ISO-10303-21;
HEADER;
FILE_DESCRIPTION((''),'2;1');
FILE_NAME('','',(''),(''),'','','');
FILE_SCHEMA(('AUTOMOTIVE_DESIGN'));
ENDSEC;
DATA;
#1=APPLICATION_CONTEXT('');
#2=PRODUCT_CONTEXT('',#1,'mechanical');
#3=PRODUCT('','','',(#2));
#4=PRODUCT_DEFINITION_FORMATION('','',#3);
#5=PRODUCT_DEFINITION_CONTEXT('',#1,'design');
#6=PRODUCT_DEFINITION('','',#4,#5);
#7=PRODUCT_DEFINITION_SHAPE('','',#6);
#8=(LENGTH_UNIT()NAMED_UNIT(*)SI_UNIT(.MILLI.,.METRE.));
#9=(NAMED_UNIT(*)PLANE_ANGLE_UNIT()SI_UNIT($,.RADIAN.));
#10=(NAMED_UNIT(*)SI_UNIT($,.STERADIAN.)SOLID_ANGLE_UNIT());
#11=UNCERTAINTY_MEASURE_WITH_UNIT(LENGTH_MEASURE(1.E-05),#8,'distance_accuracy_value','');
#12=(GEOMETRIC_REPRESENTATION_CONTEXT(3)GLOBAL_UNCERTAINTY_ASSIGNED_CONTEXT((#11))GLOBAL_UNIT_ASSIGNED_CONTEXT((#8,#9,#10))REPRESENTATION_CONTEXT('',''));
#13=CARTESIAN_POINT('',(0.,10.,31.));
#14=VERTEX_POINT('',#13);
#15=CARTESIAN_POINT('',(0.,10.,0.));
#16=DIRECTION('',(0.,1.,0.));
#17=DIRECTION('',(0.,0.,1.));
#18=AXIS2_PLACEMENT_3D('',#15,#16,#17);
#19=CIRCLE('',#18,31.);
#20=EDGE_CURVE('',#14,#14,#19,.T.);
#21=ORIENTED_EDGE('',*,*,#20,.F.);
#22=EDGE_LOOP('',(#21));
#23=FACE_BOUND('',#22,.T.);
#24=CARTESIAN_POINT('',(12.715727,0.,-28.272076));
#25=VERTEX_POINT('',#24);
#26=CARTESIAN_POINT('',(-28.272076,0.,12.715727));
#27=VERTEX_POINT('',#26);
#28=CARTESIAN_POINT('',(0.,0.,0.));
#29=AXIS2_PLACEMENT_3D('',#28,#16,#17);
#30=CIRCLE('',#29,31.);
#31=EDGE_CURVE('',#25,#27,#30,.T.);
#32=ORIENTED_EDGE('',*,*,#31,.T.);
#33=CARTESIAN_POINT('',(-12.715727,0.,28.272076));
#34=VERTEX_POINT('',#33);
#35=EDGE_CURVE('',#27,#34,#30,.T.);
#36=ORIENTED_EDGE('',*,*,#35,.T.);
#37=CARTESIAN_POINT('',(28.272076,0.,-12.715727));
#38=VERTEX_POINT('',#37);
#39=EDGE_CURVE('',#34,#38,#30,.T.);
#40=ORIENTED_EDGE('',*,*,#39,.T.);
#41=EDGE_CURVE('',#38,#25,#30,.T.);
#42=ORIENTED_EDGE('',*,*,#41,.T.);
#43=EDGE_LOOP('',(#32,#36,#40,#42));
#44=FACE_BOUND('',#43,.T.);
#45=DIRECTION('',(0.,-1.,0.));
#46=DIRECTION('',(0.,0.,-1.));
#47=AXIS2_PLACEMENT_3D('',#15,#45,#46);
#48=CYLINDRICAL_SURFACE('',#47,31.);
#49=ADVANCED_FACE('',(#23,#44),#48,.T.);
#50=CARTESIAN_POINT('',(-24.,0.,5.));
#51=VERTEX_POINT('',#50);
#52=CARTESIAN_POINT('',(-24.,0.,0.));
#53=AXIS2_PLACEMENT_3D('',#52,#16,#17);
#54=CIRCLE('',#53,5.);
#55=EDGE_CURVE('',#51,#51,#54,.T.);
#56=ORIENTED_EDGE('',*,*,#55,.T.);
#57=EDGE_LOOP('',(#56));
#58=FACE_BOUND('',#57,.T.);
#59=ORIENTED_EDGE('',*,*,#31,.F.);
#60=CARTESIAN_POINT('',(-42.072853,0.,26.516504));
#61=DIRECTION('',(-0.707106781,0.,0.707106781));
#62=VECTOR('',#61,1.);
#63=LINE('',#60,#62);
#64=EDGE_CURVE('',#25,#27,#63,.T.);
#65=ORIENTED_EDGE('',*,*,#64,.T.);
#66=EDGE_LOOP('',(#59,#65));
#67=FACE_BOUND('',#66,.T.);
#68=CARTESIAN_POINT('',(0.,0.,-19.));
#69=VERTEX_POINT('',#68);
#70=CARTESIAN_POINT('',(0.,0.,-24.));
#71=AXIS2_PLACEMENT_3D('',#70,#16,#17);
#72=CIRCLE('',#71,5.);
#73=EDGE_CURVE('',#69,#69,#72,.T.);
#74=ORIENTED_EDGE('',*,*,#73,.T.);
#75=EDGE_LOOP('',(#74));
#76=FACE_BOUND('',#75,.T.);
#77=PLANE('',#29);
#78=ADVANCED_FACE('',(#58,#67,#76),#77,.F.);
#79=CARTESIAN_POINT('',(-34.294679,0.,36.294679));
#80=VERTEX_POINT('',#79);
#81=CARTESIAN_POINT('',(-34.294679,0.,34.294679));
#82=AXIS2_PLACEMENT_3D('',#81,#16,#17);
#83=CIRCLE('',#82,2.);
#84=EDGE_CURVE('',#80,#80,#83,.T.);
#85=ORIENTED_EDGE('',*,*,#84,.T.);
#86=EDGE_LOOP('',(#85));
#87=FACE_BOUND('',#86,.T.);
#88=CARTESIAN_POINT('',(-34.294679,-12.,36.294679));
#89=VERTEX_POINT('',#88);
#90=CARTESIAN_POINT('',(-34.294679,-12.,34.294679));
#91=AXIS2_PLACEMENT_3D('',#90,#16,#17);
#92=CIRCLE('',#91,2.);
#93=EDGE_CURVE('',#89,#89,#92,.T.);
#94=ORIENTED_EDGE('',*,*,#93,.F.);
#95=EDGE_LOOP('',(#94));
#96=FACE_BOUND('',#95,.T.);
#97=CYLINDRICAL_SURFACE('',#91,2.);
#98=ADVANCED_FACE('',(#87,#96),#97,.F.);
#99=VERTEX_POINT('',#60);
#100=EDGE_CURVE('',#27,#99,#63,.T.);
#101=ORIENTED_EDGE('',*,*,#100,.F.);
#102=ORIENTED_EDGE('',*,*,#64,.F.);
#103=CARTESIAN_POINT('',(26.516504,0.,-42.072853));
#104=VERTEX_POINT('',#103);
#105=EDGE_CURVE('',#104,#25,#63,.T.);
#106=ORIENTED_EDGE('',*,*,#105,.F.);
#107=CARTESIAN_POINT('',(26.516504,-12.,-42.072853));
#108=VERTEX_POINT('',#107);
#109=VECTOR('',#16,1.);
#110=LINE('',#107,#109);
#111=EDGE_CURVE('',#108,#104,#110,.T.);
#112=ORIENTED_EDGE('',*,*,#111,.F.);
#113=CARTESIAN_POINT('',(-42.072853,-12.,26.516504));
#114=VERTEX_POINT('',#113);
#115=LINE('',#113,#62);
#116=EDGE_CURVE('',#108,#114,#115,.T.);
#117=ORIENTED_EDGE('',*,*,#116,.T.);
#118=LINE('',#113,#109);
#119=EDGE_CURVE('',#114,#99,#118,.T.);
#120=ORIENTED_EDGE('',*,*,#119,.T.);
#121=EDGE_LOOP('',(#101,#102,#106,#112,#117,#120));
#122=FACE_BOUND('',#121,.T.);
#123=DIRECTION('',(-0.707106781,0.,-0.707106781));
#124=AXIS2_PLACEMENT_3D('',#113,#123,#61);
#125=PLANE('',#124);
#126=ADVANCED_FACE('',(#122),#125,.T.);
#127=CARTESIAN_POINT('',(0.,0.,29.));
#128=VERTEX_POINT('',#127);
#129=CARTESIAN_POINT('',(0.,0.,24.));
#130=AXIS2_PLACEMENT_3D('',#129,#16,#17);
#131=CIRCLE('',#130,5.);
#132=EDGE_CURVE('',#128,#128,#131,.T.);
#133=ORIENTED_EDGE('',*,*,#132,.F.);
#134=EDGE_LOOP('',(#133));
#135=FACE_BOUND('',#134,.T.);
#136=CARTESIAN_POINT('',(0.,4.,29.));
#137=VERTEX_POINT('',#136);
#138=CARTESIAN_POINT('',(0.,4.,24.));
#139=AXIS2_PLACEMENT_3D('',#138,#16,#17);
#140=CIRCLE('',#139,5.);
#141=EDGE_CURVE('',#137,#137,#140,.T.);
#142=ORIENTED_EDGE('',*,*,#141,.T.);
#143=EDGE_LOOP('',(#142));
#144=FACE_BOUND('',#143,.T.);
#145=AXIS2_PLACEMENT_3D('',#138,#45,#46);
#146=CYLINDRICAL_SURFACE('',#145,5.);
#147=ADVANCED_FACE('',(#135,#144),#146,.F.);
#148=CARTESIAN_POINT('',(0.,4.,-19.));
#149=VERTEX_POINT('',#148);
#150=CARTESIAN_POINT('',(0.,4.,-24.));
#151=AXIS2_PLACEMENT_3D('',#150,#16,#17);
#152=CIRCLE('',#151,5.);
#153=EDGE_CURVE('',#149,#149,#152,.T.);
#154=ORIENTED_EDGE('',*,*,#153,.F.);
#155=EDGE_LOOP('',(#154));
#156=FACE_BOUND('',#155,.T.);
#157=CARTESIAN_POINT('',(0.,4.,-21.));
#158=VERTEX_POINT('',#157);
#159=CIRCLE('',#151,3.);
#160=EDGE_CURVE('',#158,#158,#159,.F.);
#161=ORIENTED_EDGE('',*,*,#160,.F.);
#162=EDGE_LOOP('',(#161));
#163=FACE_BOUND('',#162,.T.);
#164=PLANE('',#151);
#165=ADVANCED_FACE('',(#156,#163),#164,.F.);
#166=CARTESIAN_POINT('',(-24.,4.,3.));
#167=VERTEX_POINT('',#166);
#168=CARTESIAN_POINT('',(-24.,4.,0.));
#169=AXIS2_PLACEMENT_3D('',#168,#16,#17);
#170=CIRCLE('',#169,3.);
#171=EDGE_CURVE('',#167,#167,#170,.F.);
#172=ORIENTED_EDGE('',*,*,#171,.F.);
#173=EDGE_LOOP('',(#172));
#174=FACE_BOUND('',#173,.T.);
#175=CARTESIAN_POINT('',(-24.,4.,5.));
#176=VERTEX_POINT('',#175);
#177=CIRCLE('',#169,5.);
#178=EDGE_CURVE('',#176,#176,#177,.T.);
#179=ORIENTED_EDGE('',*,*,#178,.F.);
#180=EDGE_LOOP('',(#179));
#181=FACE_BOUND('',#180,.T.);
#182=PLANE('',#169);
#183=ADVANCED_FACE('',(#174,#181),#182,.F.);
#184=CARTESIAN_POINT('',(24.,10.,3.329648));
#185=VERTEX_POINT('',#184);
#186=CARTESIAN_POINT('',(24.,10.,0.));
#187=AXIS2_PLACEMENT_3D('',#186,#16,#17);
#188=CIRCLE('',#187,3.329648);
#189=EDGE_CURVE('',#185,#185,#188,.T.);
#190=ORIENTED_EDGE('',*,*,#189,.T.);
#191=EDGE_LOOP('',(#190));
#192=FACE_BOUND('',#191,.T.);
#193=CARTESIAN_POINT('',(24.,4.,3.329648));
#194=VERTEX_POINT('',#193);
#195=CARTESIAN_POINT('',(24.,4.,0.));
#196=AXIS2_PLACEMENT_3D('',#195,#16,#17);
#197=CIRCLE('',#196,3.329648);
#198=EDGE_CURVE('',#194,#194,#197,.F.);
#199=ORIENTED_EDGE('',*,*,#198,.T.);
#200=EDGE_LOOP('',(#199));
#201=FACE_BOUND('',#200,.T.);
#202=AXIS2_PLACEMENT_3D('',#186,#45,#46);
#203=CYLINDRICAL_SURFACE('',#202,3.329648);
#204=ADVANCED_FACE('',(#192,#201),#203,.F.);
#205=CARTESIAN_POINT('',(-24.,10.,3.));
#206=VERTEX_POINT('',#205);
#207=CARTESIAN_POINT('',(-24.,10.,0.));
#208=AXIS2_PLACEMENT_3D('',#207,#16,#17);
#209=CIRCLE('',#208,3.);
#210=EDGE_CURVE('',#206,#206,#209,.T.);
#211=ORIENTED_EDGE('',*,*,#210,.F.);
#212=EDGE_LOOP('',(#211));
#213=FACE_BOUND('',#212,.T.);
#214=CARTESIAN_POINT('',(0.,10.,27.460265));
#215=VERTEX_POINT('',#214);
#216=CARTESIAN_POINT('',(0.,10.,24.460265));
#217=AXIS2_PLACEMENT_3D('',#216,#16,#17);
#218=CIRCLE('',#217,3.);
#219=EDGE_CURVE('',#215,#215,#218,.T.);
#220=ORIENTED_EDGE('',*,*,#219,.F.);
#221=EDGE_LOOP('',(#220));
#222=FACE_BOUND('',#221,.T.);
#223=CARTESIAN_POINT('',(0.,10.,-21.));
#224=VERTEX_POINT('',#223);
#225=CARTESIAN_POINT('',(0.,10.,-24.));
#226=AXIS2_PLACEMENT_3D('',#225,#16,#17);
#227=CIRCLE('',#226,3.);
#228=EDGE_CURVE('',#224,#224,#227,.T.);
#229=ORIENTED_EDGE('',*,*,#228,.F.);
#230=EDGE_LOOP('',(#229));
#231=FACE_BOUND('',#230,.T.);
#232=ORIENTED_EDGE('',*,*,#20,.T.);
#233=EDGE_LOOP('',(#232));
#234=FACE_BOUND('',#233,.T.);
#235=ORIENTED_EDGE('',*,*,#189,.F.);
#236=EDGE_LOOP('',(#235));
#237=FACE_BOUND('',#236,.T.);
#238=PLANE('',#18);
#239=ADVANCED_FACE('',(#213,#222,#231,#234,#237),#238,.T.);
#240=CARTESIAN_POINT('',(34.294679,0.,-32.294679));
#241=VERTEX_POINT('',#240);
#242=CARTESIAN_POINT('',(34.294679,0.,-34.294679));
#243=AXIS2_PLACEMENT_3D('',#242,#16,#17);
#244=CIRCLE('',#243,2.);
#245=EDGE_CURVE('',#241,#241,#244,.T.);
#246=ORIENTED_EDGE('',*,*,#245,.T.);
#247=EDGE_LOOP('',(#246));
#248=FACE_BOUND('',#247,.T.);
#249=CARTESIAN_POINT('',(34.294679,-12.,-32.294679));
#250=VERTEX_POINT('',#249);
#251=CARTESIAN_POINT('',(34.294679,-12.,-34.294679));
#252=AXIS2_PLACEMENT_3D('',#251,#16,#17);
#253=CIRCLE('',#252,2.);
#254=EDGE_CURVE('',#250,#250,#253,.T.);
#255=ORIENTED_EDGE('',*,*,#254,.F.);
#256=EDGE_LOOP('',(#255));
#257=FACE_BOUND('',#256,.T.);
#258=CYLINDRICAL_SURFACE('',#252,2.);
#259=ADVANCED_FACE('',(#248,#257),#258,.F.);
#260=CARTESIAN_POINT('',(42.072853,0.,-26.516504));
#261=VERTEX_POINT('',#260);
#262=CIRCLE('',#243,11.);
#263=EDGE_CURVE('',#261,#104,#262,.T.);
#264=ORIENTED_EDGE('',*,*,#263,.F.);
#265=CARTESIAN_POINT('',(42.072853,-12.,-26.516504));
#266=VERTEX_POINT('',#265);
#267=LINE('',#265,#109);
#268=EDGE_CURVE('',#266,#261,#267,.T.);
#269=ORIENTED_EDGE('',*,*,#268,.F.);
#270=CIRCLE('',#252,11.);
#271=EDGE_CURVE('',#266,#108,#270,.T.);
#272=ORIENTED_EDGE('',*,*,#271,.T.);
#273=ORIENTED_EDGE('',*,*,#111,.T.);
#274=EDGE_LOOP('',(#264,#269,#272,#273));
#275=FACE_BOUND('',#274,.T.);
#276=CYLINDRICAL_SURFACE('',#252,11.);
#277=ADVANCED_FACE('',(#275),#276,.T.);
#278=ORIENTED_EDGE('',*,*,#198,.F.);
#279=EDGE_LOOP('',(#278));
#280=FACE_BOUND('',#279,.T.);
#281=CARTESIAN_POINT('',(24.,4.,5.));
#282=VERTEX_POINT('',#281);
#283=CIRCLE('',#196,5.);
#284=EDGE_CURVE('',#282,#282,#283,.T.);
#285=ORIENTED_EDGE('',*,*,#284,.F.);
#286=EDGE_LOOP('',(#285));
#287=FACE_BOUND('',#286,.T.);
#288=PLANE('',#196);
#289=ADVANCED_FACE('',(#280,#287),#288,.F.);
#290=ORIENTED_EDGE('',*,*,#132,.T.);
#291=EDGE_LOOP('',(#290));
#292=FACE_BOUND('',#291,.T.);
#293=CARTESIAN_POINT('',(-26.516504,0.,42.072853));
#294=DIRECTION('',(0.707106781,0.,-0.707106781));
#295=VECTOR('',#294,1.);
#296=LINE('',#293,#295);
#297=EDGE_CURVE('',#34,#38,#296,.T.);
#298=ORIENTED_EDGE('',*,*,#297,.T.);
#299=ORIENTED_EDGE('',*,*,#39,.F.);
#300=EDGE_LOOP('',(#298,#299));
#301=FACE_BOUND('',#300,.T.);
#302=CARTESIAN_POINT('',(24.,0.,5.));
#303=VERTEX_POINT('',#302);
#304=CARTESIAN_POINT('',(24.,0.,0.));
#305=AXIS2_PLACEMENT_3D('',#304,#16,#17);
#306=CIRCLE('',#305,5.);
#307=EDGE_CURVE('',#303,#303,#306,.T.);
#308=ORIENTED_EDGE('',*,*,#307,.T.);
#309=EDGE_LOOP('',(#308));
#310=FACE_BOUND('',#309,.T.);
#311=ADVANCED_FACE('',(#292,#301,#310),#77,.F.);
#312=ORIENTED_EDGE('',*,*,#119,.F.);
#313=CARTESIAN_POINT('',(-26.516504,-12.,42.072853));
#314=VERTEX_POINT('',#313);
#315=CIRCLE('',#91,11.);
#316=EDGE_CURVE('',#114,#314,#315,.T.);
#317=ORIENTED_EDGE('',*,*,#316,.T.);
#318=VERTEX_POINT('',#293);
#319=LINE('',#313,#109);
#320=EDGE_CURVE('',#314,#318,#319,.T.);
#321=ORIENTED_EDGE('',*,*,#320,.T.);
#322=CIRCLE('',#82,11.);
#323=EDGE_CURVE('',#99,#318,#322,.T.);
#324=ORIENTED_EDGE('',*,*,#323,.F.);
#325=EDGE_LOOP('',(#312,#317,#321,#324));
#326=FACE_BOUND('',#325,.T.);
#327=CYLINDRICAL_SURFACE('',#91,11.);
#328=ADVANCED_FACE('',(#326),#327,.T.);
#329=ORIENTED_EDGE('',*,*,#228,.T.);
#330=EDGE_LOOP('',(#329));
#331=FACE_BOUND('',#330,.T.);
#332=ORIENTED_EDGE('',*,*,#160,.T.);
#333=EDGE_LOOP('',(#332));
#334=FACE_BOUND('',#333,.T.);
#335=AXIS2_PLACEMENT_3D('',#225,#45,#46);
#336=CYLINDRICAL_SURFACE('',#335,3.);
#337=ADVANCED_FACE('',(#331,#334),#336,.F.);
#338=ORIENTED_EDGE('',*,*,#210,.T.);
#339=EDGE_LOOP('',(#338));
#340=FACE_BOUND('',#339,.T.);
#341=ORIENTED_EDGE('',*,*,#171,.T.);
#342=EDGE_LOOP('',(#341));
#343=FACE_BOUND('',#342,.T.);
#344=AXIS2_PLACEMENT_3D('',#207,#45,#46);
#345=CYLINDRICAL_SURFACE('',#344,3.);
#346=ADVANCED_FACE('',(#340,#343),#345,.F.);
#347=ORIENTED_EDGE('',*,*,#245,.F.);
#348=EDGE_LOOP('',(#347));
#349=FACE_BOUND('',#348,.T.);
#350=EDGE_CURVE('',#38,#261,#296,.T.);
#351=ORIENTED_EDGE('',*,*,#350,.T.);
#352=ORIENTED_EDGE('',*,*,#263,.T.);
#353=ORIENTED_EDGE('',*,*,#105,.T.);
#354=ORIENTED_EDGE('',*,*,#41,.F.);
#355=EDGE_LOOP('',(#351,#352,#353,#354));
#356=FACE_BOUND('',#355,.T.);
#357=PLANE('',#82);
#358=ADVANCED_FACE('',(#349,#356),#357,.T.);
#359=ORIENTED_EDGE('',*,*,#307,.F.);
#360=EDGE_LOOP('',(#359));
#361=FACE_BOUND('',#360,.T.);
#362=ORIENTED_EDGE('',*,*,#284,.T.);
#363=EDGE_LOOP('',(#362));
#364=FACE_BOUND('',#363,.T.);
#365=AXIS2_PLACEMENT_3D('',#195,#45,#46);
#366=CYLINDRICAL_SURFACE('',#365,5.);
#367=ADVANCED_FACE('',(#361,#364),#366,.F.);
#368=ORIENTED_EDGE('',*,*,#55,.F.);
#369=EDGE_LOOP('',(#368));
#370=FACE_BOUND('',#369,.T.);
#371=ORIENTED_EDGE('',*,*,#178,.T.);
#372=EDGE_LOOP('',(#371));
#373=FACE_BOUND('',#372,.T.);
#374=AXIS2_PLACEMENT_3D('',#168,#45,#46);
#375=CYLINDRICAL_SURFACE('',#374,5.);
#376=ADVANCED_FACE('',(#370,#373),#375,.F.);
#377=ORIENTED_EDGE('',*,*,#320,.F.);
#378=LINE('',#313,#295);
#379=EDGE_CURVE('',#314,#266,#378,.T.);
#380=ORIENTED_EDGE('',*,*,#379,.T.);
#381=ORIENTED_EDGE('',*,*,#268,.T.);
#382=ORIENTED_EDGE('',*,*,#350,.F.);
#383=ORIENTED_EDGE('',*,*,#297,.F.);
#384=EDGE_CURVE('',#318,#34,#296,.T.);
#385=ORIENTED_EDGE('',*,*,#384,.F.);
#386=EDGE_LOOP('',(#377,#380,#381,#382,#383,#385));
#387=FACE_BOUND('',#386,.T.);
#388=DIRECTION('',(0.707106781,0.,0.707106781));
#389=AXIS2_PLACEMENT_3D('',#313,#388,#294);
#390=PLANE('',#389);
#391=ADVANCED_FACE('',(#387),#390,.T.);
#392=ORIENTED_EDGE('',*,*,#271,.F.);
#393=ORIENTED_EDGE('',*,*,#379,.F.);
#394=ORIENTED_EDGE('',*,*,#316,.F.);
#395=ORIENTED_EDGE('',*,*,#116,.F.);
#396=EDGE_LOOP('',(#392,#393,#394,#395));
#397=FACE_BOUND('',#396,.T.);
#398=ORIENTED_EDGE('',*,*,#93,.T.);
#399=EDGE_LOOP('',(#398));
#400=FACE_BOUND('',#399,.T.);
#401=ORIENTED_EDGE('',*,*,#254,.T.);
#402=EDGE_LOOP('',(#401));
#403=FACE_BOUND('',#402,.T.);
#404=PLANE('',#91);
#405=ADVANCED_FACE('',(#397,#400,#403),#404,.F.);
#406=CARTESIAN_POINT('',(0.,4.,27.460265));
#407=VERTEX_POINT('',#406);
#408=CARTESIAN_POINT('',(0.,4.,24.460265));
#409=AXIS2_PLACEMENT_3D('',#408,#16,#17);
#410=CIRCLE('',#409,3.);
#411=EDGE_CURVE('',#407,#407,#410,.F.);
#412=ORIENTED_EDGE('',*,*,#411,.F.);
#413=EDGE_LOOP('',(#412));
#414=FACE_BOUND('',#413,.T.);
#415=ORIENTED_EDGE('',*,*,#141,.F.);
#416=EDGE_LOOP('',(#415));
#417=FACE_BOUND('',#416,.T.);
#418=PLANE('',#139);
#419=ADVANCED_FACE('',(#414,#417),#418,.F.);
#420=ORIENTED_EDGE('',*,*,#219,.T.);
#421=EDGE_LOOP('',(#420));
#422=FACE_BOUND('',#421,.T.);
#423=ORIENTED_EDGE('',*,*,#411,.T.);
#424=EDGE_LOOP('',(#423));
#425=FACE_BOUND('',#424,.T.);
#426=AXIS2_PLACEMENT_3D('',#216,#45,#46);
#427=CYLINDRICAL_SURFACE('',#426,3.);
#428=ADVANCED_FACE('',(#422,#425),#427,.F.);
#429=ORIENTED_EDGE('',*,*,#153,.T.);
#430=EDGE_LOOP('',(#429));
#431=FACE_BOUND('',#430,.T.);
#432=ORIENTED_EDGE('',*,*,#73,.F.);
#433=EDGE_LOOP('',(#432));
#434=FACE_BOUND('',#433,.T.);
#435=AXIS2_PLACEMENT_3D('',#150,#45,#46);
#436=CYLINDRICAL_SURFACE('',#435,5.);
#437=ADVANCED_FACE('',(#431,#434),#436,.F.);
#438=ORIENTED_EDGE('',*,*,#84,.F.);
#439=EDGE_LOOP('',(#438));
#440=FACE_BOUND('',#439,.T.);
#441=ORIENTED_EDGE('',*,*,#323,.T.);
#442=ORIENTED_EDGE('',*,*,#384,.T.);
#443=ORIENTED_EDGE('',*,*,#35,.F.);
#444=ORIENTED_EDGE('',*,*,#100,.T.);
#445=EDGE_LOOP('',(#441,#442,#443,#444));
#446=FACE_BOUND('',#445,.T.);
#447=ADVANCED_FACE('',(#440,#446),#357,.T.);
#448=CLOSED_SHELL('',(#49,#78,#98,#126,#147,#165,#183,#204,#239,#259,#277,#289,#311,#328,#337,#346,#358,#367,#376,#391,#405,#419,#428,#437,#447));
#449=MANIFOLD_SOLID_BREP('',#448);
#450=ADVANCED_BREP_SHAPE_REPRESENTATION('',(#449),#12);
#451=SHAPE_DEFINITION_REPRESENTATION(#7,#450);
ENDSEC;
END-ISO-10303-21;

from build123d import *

# Parameters (mm, degrees)
SKETCH1_R           = 31
BOSS_EXTRUDE1_DEPTH = 10
SKETCH3_R           = 5
CUT_EXTRUDE1_DEPTH  = 4
SKETCH5_R           = 5
CUT_EXTRUDE2_DEPTH  = 4
SKETCH6_R           = 3
SKETCH6_R_2         = 3.329647993
CUT_EXTRUDE3_DEPTH  = 10
SKETCH10_R          = 2
BOSS_EXTRUDE5_DEPTH = 12


with BuildPart() as part:
    # Sketch1 → Boss-Extrude1 (new body)
    with BuildSketch(Plane(origin=(0, 0, 0), x_dir=(1, 0, 0), z_dir=(0, 1, 0))):
        with Locations(Location((0, 0, 0), (0, 0, 270))):
            Circle(SKETCH1_R)
    extrude(amount=BOSS_EXTRUDE1_DEPTH)

    # Sketch3 → Cut-Extrude1 (cut)
    with BuildSketch(Plane(origin=(0, 0, 0), x_dir=(1, 0, 0), z_dir=(0, 1, 0))):
        with Locations(Location((0, 24, 0), (0, 0, 270))):
            Circle(SKETCH3_R)
    extrude(amount=CUT_EXTRUDE1_DEPTH, mode=Mode.SUBTRACT)

    # Sketch5 → Cut-Extrude2 (cut)
    with BuildSketch(Plane(origin=(0, 0, 0), x_dir=(1, 0, 0), z_dir=(0, 1, 0))):
        with Locations(Location((-24, 0, 0), (0, 0, 270))):
            Circle(SKETCH5_R)
        with Locations(Location((24, 0, 0), (0, 0, 270))):
            Circle(SKETCH5_R)
        with Locations(Location((0, -24, 0), (0, 0, 270))):
            Circle(SKETCH5_R)
    extrude(amount=CUT_EXTRUDE2_DEPTH, mode=Mode.SUBTRACT)

    # Sketch6 → Cut-Extrude3 (cut)
    with BuildSketch(Plane(origin=(0, 0, 0), x_dir=(1, 0, 0), z_dir=(0, 1, 0))):
        with Locations(Location((0, -24.460265292, 0), (0, 0, 270))):
            Circle(SKETCH6_R)
        with Locations(Location((-24, 0, 0), (0, 0, 270))):
            Circle(SKETCH6_R)
        with Locations(Location((24, 0, 0), (0, 0, 270))):
            Circle(SKETCH6_R_2)
        with Locations(Location((0, 24, 0), (0, 0, 270))):
            Circle(SKETCH6_R)
    extrude(amount=CUT_EXTRUDE3_DEPTH, mode=Mode.SUBTRACT)

    # Sketch10 → Boss-Extrude5 (add)
    with BuildSketch(Plane(origin=(0, 0, 0), x_dir=(1, 0, 0), z_dir=(0, 1, 0))):
        with BuildLine():
            Line((-42.072853481, -26.516504294), (26.516504294, 42.072853481))
            ThreePointArc((26.516504294, 42.072853481), (42.072853481, 42.072853481), (42.072853481, 26.516504294))
            Line((42.072853481, 26.516504294), (-26.516504294, -42.072853481))
            ThreePointArc((-26.516504294, -42.072853481), (-42.072853481, -42.072853481), (-42.072853481, -26.516504294))
        make_face()
        with Locations(Location((34.294678888, 34.294678888, 0), (0, 0, 270))):
            Circle(SKETCH10_R, mode=Mode.SUBTRACT)
        with Locations(Location((-34.294678888, -34.294678888, 0), (0, 0, 270))):
            Circle(SKETCH10_R, mode=Mode.SUBTRACT)
    extrude(amount=-BOSS_EXTRUDE5_DEPTH)


solid = part.part
